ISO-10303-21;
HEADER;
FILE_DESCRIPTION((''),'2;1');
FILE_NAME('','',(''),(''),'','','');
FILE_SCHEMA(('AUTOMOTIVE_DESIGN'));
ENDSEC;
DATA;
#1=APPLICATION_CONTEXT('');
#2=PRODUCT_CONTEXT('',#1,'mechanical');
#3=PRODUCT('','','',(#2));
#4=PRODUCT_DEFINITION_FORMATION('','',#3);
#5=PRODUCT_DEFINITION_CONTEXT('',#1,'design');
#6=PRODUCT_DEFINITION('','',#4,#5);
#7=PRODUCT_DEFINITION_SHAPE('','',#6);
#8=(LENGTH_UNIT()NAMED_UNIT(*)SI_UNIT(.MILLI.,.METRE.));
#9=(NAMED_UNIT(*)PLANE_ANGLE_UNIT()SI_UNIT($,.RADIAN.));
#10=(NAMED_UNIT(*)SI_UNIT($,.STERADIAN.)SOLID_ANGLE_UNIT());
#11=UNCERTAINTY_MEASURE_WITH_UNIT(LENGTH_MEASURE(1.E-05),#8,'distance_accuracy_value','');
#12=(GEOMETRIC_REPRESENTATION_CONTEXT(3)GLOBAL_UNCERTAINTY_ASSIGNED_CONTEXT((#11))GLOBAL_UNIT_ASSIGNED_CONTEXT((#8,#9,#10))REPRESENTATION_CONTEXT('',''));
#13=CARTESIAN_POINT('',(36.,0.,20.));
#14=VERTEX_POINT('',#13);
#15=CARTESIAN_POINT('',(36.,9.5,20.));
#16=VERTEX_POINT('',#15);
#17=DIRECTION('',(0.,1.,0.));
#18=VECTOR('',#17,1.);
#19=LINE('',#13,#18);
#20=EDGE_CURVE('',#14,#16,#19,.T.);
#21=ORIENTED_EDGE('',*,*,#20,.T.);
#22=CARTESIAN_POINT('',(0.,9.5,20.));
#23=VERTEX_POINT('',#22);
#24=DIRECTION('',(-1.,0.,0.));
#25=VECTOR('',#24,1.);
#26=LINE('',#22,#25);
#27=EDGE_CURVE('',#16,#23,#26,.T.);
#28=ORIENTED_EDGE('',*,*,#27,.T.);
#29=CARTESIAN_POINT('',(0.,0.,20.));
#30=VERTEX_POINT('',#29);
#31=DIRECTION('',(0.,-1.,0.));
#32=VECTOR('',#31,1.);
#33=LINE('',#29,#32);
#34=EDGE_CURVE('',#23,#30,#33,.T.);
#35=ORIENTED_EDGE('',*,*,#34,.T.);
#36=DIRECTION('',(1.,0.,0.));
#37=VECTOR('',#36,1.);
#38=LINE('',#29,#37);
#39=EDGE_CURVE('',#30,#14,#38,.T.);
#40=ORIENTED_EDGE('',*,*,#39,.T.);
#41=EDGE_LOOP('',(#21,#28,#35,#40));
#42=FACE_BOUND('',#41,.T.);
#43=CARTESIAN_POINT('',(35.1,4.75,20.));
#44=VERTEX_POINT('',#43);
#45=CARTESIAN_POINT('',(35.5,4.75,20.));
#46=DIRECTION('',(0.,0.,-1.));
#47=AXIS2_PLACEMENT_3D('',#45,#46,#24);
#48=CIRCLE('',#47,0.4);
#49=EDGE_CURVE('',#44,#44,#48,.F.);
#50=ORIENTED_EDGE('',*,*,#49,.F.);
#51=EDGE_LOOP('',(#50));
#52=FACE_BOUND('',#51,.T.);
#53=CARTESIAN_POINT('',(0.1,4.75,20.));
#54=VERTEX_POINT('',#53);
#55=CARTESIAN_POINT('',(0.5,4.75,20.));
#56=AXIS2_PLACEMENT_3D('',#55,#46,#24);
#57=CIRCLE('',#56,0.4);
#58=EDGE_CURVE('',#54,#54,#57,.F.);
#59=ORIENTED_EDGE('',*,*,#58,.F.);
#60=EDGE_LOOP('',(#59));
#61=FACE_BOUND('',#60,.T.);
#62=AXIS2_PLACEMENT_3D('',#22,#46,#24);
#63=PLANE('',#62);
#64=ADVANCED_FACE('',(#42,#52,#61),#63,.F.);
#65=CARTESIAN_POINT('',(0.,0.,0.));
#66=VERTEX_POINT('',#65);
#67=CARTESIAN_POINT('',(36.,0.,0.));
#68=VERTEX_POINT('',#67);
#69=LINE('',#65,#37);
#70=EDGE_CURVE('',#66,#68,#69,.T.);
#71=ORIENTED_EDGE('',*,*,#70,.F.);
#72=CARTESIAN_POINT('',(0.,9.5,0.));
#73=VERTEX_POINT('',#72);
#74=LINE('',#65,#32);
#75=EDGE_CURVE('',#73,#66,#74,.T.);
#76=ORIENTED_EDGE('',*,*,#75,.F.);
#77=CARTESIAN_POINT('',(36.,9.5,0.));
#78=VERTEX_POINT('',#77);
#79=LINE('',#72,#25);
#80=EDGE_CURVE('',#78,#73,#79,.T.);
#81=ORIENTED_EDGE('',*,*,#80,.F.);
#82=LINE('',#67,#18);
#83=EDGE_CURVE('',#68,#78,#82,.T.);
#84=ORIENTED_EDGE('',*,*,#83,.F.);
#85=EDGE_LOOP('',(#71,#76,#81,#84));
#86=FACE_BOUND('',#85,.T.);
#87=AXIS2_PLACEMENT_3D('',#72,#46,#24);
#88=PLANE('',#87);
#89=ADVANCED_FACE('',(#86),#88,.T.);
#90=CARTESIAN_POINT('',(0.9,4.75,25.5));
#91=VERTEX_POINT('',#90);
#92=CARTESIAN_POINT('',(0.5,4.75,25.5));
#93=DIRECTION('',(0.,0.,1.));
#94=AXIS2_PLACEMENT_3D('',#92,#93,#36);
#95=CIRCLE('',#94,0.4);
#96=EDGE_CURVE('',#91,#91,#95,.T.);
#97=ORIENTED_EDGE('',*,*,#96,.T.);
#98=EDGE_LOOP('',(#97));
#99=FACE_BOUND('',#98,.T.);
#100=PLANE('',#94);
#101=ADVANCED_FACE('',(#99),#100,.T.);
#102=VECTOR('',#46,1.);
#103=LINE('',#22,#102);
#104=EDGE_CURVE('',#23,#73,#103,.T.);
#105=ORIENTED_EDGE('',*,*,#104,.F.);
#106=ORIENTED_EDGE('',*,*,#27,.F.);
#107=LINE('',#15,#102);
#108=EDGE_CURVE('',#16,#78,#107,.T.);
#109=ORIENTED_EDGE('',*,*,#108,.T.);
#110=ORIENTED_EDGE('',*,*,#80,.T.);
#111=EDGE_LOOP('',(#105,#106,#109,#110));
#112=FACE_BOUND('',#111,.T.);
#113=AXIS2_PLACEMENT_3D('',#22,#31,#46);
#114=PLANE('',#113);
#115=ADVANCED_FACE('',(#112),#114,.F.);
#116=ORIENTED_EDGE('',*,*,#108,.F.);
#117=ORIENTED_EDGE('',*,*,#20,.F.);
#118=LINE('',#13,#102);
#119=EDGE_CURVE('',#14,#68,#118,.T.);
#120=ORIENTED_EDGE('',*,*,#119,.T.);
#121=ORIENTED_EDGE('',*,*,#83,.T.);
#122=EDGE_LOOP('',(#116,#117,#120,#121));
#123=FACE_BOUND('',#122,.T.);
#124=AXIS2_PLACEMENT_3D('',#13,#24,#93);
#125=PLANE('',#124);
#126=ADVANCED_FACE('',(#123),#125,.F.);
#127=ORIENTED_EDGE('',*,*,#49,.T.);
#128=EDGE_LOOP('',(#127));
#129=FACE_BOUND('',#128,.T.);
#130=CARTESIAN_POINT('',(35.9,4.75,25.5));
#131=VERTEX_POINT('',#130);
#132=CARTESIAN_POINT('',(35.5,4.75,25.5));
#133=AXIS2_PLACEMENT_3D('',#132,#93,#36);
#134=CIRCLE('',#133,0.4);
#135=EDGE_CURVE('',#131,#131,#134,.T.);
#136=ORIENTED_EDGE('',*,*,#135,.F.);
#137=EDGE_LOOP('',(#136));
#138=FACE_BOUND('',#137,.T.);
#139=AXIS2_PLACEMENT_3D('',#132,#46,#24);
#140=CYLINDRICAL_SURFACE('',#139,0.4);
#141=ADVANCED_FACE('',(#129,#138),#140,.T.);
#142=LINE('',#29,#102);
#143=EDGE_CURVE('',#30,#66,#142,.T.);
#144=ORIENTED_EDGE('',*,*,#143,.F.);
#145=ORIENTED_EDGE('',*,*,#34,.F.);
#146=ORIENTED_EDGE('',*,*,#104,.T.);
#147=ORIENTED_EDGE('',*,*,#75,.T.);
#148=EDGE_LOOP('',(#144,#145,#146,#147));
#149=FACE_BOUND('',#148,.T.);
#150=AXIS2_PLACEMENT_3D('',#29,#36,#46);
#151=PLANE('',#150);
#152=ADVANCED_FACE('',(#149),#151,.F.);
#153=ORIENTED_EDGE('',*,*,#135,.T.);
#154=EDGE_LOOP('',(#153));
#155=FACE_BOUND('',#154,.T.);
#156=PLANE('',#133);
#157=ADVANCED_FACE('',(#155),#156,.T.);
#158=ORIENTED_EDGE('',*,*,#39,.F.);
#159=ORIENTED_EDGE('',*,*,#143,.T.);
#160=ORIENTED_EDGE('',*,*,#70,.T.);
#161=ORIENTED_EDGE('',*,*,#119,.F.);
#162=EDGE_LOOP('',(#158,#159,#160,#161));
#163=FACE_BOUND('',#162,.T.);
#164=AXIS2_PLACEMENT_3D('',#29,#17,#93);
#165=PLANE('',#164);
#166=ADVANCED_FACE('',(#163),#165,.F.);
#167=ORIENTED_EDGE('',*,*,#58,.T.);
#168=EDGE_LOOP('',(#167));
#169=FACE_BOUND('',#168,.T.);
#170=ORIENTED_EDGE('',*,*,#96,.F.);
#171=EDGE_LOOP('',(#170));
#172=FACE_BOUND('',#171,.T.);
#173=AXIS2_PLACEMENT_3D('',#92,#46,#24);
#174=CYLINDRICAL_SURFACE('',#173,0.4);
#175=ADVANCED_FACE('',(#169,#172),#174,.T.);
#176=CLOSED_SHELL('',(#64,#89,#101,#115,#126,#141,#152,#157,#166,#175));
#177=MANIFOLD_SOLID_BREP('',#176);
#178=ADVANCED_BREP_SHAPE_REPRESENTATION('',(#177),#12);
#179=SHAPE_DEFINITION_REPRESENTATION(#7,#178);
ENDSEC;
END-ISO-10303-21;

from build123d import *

# Parameters (mm, degrees)
SKETCH_1_W      = 36
SKETCH_1_H      = 9.5
EXTRUDE_1_DEPTH = 20
SKETCH_2_R      = 0.4
EXTRUDE_2_DEPTH = 5.5


with BuildPart() as part:
    # Эскиз1 → Вытянуть1 (new body)
    with BuildSketch(Plane.XY):
        with Locations((18, 4.75)):
            Rectangle(SKETCH_1_W, SKETCH_1_H)
    extrude(amount=EXTRUDE_1_DEPTH)

    # Эскиз2 → Вытянуть2 (add)
    with BuildSketch(Plane.XY.offset(20)):
        with Locations(Location((0.5, 4.75, 0), (0, 0, 180))):
            Circle(SKETCH_2_R)
        with Locations(Location((35.5, 4.75, 0), (0, 0, 180))):
            Circle(SKETCH_2_R)
    extrude(amount=EXTRUDE_2_DEPTH)


solid = part.part
